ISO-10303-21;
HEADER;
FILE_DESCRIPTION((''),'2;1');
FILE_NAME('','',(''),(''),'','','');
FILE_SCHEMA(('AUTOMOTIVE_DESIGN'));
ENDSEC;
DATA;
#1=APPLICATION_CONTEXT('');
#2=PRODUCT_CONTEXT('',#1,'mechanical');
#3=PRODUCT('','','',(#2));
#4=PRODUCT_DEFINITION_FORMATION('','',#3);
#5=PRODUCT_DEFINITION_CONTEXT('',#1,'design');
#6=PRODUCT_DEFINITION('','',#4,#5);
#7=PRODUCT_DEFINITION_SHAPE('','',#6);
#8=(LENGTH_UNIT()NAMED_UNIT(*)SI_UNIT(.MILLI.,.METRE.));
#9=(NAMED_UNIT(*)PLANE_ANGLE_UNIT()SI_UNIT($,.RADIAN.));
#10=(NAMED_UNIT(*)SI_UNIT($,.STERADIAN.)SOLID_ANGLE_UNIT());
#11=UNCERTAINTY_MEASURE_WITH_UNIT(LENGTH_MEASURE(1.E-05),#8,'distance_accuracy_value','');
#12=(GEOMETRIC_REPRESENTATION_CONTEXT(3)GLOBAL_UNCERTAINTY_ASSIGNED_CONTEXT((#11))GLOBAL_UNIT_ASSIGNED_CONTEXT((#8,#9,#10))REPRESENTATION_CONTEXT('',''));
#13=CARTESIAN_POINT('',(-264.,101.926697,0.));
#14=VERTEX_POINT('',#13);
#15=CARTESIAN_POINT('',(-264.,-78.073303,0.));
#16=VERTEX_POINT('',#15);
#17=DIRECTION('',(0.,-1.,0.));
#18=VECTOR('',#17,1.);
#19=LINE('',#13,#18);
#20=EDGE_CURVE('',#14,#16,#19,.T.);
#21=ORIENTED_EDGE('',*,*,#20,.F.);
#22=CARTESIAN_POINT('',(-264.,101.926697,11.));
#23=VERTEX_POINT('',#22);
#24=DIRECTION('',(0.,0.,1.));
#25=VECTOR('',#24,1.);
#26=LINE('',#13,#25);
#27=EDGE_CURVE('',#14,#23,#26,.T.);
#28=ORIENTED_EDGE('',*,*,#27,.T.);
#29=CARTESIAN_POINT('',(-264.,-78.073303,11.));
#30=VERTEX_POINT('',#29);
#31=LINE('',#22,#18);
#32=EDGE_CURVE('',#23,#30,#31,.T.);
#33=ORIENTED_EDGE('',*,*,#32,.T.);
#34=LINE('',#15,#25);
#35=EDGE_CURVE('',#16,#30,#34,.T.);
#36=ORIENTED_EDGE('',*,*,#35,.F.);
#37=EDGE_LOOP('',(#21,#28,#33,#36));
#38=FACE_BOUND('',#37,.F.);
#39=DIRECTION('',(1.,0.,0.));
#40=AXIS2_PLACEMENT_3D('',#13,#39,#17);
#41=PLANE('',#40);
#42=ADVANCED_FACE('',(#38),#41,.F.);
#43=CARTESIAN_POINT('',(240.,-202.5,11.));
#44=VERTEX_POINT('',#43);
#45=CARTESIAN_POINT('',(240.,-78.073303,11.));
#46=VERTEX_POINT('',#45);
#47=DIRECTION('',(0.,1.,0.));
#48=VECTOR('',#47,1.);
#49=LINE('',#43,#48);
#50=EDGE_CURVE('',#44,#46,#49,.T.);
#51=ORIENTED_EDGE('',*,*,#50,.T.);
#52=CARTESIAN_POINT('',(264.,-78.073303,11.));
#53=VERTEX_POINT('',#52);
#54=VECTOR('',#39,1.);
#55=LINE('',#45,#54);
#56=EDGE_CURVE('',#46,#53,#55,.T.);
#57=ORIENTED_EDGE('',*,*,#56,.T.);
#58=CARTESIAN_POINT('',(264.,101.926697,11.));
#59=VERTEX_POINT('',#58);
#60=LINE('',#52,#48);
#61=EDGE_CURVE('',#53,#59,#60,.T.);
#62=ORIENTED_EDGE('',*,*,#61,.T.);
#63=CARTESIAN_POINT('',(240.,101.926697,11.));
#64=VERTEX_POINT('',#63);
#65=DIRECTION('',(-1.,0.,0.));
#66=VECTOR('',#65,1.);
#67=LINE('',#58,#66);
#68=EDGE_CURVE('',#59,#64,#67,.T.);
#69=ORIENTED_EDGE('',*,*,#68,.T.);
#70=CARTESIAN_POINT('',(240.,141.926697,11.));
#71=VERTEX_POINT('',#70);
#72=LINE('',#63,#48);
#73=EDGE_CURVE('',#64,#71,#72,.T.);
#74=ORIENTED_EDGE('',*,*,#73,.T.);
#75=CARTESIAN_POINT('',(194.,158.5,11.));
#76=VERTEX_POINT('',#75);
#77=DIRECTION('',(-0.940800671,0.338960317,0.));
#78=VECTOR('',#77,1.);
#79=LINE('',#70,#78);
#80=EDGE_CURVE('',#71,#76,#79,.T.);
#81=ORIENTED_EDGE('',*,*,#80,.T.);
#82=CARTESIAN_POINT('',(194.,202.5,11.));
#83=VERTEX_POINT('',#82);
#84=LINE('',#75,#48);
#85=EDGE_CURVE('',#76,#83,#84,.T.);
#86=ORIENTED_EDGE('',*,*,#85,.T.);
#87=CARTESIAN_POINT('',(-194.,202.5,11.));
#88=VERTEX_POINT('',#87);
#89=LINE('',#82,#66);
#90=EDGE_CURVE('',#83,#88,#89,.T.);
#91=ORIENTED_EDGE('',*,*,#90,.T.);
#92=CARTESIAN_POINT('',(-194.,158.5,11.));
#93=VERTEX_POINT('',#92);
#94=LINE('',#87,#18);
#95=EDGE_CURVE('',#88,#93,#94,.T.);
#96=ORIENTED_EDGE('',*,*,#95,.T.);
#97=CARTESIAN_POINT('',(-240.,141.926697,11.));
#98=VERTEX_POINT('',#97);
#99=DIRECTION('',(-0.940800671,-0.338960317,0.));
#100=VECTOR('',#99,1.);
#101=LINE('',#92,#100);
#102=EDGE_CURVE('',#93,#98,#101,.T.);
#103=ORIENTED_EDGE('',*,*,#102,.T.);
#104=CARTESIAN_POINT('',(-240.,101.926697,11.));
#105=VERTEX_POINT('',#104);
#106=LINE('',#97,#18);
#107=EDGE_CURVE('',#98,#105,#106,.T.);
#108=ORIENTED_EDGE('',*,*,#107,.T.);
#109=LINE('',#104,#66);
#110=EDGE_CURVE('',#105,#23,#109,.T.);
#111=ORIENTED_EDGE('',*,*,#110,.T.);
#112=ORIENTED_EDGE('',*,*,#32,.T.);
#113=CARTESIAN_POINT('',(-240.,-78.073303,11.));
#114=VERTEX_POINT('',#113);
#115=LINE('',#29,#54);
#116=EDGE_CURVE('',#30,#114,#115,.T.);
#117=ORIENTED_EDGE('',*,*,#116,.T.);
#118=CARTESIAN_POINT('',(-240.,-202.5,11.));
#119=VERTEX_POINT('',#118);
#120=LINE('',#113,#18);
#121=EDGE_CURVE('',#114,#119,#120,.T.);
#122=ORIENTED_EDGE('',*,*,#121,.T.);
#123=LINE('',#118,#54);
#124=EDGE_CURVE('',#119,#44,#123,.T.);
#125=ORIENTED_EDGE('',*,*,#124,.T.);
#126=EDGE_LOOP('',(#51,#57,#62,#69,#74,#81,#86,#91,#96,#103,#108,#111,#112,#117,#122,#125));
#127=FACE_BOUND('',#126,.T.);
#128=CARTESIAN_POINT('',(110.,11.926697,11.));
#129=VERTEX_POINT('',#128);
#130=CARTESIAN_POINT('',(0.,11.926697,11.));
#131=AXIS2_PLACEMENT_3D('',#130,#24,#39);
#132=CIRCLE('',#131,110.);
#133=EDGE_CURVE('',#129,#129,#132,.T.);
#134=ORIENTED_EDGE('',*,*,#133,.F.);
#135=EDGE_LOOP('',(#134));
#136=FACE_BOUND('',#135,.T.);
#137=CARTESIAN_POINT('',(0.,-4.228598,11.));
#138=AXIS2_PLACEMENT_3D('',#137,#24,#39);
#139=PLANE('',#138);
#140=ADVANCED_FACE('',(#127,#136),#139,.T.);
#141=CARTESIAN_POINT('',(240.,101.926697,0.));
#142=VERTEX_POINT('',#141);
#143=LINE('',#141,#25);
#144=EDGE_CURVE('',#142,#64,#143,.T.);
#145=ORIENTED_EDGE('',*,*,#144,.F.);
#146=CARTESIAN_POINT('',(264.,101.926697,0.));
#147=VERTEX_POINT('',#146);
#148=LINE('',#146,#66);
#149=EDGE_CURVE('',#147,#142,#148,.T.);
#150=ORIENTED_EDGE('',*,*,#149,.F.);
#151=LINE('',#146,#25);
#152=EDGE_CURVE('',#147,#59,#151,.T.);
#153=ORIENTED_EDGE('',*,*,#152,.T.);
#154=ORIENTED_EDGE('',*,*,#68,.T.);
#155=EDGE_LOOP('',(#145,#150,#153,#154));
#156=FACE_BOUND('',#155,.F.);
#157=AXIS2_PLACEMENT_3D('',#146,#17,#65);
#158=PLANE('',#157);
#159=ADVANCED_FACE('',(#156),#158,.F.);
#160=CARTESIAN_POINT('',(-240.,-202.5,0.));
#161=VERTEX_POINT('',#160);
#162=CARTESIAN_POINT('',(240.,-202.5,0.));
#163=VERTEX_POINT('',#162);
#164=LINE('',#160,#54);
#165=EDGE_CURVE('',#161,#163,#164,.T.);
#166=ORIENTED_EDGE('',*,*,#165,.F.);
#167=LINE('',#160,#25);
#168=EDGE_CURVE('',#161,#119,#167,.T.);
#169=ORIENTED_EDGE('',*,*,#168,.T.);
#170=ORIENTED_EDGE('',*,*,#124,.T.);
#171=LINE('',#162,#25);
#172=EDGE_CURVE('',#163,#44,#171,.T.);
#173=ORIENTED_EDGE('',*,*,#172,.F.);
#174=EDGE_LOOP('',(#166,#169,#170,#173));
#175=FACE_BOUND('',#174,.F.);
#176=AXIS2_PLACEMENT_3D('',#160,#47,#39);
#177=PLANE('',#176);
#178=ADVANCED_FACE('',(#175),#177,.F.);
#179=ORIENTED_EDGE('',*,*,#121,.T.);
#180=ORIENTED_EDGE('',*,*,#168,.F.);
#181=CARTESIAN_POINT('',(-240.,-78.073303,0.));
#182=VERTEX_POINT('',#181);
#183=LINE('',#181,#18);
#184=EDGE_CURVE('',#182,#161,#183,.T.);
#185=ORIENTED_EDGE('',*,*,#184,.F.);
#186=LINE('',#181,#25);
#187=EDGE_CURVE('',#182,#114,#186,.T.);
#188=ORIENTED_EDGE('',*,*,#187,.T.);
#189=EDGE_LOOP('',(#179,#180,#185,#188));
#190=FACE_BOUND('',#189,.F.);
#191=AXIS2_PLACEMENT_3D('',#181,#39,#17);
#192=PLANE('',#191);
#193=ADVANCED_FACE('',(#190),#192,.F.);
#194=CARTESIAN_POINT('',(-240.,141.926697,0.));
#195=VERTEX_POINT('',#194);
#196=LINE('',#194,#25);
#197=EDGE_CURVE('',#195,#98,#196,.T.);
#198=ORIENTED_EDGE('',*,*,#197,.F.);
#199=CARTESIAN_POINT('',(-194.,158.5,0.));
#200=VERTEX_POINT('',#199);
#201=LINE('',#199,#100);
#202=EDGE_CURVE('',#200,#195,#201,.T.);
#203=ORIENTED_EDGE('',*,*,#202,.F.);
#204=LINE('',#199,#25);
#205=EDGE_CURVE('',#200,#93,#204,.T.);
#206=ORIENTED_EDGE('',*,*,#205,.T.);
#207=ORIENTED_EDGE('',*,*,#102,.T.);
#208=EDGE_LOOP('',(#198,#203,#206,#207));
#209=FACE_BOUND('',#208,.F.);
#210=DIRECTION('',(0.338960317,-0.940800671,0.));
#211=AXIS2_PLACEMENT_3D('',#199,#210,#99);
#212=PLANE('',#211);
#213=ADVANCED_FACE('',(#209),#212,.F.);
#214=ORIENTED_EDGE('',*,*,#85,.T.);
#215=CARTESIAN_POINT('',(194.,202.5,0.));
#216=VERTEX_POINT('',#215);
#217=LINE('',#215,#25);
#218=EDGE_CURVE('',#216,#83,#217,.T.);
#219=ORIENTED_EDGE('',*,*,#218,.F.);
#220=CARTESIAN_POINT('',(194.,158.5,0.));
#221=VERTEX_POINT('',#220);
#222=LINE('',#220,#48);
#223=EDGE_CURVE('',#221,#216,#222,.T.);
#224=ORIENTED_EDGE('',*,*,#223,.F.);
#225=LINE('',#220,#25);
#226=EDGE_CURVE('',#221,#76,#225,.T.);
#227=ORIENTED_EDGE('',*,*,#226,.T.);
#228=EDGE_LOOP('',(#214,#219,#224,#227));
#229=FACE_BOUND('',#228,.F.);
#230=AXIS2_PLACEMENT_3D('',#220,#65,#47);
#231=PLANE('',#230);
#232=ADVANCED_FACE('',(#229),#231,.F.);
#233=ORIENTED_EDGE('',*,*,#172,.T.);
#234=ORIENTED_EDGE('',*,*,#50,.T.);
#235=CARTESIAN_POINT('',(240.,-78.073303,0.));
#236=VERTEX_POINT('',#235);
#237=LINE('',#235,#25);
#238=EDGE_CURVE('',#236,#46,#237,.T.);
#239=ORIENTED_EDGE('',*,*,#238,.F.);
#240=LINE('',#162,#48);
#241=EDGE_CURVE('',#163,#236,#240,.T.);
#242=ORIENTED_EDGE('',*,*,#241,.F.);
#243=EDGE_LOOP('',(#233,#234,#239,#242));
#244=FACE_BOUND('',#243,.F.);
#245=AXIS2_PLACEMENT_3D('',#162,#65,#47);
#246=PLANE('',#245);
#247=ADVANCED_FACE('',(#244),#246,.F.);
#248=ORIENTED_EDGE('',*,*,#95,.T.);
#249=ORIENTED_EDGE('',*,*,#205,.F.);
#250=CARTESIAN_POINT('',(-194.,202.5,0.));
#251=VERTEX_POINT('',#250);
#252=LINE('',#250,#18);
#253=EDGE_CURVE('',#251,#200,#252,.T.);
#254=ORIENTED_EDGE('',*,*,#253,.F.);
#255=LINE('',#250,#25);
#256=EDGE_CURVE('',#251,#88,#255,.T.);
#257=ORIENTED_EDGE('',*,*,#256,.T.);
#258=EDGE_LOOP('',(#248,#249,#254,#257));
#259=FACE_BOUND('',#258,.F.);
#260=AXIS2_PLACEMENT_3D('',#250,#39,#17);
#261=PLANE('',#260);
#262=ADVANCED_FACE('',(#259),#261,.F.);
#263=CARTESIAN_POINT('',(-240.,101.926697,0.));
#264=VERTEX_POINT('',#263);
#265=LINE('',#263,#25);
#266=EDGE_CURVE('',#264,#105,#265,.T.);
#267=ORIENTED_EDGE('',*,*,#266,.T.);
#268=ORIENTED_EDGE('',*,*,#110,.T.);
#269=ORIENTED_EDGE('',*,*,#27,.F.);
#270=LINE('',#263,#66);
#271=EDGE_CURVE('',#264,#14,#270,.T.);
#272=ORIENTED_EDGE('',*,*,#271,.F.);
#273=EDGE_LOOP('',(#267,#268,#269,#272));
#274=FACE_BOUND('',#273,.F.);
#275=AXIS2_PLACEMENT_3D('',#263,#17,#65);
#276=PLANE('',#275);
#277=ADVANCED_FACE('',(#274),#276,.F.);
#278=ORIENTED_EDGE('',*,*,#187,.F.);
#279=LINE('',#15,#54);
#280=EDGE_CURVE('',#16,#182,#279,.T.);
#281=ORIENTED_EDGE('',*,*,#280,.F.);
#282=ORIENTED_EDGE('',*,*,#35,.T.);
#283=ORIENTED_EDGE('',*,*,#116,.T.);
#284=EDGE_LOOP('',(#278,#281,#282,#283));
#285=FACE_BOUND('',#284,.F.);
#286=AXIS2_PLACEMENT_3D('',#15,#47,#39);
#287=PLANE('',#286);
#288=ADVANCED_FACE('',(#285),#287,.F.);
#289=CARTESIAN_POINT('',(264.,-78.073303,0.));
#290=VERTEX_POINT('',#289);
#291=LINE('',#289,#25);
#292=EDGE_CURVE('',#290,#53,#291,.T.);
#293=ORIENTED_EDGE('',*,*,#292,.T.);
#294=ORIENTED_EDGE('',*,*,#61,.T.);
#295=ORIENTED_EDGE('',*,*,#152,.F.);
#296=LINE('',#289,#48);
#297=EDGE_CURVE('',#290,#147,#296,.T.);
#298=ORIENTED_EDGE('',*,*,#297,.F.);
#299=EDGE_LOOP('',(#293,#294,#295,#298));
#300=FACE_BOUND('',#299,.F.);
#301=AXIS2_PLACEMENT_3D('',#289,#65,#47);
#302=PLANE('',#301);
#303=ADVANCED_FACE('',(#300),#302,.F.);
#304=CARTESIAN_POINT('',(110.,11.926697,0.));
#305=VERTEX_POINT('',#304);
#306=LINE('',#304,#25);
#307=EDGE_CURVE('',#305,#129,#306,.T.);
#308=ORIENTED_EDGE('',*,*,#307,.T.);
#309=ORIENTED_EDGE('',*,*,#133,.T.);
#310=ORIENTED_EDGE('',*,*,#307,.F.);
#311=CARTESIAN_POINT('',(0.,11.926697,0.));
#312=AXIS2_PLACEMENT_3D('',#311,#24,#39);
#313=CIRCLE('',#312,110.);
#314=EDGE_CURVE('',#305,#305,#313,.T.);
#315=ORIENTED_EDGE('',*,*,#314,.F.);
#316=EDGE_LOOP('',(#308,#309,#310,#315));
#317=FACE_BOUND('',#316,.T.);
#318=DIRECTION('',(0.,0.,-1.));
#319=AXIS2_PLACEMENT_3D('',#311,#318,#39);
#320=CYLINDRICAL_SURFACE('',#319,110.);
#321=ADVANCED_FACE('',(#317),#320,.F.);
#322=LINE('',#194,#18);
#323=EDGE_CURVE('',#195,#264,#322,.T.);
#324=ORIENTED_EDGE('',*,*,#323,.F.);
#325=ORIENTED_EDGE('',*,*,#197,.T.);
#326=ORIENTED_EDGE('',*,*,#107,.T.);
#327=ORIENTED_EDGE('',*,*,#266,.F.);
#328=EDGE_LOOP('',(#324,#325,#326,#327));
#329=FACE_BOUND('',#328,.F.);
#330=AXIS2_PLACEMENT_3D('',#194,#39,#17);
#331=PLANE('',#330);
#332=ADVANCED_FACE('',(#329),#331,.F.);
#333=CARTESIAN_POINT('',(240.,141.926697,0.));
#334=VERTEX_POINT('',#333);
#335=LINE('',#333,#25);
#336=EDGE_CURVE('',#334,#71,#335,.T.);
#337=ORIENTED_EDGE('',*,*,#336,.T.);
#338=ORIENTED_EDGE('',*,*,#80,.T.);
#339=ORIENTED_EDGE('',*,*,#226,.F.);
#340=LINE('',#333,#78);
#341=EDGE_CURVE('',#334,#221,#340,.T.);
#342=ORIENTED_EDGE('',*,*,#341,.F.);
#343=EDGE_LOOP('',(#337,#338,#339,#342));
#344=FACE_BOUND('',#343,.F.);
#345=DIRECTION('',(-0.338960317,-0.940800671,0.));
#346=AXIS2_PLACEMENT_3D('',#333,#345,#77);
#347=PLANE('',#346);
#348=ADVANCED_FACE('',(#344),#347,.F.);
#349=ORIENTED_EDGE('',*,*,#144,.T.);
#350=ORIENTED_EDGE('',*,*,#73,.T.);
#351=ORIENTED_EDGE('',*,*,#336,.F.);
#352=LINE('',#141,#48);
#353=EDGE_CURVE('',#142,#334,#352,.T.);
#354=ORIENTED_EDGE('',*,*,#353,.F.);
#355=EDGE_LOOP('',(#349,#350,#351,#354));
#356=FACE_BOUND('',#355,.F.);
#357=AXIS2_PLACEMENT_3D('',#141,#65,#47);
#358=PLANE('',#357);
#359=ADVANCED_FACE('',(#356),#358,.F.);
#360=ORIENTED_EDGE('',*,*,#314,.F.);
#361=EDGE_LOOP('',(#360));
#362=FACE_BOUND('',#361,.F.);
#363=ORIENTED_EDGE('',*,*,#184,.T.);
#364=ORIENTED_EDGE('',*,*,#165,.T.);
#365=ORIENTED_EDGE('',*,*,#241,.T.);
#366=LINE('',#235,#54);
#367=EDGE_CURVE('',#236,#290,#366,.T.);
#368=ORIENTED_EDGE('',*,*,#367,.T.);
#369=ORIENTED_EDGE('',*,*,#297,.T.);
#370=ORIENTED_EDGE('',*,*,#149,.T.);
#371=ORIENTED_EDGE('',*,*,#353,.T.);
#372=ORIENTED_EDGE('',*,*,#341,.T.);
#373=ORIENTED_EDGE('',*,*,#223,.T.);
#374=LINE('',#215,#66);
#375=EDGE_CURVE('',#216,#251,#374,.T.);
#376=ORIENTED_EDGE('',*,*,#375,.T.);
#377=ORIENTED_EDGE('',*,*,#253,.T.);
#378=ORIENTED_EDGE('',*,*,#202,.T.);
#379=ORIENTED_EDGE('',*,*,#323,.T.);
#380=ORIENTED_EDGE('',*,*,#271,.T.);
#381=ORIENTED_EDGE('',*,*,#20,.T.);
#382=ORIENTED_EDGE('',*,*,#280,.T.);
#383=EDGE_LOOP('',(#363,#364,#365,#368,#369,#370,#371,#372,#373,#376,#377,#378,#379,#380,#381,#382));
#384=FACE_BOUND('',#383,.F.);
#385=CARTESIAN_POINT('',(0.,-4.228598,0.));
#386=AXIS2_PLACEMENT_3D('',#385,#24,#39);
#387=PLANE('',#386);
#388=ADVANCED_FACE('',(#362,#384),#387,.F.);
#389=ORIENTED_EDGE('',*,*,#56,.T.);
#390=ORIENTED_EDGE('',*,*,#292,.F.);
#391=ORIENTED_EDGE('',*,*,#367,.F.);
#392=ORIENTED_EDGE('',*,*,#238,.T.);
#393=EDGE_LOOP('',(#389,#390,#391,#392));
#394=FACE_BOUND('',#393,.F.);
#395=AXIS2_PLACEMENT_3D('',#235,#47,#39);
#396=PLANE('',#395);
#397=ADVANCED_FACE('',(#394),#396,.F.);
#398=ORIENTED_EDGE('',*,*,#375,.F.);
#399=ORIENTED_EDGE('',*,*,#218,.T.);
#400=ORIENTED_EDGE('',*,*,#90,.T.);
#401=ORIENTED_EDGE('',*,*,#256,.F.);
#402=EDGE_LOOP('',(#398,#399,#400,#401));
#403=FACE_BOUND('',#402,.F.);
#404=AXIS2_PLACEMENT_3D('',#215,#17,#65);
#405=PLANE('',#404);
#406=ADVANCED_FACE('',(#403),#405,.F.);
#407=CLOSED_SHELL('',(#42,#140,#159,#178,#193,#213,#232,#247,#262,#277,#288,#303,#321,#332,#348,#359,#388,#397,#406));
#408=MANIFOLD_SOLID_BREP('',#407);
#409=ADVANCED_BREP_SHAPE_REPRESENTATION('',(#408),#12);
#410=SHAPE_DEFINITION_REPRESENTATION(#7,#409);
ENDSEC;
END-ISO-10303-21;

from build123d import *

# Parameters (mm, degrees)
F0_R     = 110
F1_DEPTH = 11


with BuildPart() as f1:
    # F0 (on Top) → F1 (new body)
    with BuildSketch(Plane.XY):
        Polygon((-194, 202.5), (-194, 158.5), (-240, 141.926697), (-240, 101.926697), (-264, 101.926697), (-264, -78.073303), (-240, -78.073303), (-240, -202.5), (240, -202.5), (240, -78.073303), (264, -78.073303), (264, 101.926697), (240, 101.926697), (240, 141.926697), (194, 158.5), (194, 202.5), align=None)
        with Locations((0, 11.926697)):
            Circle(F0_R, mode=Mode.SUBTRACT)
    extrude(amount=F1_DEPTH)


solid = f1.part
